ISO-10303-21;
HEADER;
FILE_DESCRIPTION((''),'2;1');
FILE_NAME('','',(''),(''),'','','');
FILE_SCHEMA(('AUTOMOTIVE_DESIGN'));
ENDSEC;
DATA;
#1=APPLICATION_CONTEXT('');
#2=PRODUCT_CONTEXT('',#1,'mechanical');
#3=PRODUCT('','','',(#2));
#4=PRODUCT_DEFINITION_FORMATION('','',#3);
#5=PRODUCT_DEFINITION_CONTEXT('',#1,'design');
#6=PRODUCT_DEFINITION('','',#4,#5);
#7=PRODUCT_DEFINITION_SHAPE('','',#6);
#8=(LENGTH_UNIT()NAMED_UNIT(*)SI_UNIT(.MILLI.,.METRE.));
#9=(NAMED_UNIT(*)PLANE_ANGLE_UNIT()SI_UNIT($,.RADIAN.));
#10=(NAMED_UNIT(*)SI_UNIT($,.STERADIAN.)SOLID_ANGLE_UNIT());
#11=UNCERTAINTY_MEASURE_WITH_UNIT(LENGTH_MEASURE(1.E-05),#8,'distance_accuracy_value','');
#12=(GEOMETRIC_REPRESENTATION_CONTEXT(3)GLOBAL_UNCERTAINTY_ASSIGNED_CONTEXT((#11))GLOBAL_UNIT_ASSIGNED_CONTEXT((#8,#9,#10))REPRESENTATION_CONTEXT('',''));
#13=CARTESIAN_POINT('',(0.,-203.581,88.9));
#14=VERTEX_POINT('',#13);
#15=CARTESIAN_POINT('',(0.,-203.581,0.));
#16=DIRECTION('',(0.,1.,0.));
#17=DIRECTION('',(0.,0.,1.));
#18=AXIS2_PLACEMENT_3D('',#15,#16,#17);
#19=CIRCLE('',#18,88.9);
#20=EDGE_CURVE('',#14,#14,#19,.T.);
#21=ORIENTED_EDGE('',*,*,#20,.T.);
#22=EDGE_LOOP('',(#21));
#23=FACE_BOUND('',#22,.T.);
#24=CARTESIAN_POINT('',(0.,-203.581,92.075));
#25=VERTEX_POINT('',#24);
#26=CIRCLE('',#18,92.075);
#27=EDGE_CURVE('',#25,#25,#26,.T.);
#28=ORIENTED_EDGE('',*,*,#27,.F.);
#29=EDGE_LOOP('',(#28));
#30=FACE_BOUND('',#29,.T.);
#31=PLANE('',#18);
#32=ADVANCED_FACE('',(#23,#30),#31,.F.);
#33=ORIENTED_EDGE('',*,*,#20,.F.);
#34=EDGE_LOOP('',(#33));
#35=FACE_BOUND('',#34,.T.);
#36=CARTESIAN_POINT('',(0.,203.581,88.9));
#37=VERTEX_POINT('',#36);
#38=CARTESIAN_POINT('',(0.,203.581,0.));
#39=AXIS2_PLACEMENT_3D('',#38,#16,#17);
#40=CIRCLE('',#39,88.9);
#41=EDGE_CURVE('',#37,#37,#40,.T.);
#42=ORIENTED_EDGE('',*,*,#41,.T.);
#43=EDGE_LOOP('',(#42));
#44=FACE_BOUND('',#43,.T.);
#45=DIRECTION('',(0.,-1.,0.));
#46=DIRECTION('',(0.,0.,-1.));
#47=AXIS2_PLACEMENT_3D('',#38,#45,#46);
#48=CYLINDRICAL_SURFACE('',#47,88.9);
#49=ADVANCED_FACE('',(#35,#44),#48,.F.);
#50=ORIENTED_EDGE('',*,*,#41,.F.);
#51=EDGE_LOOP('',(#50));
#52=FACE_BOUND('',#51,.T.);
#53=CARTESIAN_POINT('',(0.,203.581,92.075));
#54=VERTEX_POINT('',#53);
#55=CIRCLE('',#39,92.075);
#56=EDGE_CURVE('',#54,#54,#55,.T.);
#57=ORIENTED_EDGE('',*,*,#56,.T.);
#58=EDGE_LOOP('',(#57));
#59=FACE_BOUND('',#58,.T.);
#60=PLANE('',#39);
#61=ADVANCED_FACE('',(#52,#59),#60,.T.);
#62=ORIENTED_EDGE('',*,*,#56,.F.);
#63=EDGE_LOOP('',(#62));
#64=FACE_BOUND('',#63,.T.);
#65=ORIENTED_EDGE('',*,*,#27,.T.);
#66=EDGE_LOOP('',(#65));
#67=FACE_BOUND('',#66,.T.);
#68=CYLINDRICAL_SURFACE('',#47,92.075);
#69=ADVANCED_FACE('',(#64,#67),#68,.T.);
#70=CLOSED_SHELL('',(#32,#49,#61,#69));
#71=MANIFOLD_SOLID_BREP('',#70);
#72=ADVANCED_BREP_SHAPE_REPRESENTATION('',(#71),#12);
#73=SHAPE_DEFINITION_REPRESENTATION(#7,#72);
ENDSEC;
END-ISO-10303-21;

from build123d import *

# Parameters (mm, degrees)
SKETCH1_R           = 92.075
SKETCH1_R_2         = 88.9
BOSS_EXTRUDE1_DEPTH = 203.581


with BuildPart() as part:
    # Sketch1 → Boss-Extrude1 (new, symmetric)
    with BuildSketch(Plane(origin=(0, 0, 0), x_dir=(1, 0, 0), z_dir=(0, 1, 0))):
        with Locations(Location((0, 0, 0), (0, 0, 270))):
            Circle(SKETCH1_R)
        with Locations(Location((0, 0, 0), (0, 0, 270))):
            Circle(SKETCH1_R_2, mode=Mode.SUBTRACT)
    extrude(amount=BOSS_EXTRUDE1_DEPTH, both=True)


solid = part.part
